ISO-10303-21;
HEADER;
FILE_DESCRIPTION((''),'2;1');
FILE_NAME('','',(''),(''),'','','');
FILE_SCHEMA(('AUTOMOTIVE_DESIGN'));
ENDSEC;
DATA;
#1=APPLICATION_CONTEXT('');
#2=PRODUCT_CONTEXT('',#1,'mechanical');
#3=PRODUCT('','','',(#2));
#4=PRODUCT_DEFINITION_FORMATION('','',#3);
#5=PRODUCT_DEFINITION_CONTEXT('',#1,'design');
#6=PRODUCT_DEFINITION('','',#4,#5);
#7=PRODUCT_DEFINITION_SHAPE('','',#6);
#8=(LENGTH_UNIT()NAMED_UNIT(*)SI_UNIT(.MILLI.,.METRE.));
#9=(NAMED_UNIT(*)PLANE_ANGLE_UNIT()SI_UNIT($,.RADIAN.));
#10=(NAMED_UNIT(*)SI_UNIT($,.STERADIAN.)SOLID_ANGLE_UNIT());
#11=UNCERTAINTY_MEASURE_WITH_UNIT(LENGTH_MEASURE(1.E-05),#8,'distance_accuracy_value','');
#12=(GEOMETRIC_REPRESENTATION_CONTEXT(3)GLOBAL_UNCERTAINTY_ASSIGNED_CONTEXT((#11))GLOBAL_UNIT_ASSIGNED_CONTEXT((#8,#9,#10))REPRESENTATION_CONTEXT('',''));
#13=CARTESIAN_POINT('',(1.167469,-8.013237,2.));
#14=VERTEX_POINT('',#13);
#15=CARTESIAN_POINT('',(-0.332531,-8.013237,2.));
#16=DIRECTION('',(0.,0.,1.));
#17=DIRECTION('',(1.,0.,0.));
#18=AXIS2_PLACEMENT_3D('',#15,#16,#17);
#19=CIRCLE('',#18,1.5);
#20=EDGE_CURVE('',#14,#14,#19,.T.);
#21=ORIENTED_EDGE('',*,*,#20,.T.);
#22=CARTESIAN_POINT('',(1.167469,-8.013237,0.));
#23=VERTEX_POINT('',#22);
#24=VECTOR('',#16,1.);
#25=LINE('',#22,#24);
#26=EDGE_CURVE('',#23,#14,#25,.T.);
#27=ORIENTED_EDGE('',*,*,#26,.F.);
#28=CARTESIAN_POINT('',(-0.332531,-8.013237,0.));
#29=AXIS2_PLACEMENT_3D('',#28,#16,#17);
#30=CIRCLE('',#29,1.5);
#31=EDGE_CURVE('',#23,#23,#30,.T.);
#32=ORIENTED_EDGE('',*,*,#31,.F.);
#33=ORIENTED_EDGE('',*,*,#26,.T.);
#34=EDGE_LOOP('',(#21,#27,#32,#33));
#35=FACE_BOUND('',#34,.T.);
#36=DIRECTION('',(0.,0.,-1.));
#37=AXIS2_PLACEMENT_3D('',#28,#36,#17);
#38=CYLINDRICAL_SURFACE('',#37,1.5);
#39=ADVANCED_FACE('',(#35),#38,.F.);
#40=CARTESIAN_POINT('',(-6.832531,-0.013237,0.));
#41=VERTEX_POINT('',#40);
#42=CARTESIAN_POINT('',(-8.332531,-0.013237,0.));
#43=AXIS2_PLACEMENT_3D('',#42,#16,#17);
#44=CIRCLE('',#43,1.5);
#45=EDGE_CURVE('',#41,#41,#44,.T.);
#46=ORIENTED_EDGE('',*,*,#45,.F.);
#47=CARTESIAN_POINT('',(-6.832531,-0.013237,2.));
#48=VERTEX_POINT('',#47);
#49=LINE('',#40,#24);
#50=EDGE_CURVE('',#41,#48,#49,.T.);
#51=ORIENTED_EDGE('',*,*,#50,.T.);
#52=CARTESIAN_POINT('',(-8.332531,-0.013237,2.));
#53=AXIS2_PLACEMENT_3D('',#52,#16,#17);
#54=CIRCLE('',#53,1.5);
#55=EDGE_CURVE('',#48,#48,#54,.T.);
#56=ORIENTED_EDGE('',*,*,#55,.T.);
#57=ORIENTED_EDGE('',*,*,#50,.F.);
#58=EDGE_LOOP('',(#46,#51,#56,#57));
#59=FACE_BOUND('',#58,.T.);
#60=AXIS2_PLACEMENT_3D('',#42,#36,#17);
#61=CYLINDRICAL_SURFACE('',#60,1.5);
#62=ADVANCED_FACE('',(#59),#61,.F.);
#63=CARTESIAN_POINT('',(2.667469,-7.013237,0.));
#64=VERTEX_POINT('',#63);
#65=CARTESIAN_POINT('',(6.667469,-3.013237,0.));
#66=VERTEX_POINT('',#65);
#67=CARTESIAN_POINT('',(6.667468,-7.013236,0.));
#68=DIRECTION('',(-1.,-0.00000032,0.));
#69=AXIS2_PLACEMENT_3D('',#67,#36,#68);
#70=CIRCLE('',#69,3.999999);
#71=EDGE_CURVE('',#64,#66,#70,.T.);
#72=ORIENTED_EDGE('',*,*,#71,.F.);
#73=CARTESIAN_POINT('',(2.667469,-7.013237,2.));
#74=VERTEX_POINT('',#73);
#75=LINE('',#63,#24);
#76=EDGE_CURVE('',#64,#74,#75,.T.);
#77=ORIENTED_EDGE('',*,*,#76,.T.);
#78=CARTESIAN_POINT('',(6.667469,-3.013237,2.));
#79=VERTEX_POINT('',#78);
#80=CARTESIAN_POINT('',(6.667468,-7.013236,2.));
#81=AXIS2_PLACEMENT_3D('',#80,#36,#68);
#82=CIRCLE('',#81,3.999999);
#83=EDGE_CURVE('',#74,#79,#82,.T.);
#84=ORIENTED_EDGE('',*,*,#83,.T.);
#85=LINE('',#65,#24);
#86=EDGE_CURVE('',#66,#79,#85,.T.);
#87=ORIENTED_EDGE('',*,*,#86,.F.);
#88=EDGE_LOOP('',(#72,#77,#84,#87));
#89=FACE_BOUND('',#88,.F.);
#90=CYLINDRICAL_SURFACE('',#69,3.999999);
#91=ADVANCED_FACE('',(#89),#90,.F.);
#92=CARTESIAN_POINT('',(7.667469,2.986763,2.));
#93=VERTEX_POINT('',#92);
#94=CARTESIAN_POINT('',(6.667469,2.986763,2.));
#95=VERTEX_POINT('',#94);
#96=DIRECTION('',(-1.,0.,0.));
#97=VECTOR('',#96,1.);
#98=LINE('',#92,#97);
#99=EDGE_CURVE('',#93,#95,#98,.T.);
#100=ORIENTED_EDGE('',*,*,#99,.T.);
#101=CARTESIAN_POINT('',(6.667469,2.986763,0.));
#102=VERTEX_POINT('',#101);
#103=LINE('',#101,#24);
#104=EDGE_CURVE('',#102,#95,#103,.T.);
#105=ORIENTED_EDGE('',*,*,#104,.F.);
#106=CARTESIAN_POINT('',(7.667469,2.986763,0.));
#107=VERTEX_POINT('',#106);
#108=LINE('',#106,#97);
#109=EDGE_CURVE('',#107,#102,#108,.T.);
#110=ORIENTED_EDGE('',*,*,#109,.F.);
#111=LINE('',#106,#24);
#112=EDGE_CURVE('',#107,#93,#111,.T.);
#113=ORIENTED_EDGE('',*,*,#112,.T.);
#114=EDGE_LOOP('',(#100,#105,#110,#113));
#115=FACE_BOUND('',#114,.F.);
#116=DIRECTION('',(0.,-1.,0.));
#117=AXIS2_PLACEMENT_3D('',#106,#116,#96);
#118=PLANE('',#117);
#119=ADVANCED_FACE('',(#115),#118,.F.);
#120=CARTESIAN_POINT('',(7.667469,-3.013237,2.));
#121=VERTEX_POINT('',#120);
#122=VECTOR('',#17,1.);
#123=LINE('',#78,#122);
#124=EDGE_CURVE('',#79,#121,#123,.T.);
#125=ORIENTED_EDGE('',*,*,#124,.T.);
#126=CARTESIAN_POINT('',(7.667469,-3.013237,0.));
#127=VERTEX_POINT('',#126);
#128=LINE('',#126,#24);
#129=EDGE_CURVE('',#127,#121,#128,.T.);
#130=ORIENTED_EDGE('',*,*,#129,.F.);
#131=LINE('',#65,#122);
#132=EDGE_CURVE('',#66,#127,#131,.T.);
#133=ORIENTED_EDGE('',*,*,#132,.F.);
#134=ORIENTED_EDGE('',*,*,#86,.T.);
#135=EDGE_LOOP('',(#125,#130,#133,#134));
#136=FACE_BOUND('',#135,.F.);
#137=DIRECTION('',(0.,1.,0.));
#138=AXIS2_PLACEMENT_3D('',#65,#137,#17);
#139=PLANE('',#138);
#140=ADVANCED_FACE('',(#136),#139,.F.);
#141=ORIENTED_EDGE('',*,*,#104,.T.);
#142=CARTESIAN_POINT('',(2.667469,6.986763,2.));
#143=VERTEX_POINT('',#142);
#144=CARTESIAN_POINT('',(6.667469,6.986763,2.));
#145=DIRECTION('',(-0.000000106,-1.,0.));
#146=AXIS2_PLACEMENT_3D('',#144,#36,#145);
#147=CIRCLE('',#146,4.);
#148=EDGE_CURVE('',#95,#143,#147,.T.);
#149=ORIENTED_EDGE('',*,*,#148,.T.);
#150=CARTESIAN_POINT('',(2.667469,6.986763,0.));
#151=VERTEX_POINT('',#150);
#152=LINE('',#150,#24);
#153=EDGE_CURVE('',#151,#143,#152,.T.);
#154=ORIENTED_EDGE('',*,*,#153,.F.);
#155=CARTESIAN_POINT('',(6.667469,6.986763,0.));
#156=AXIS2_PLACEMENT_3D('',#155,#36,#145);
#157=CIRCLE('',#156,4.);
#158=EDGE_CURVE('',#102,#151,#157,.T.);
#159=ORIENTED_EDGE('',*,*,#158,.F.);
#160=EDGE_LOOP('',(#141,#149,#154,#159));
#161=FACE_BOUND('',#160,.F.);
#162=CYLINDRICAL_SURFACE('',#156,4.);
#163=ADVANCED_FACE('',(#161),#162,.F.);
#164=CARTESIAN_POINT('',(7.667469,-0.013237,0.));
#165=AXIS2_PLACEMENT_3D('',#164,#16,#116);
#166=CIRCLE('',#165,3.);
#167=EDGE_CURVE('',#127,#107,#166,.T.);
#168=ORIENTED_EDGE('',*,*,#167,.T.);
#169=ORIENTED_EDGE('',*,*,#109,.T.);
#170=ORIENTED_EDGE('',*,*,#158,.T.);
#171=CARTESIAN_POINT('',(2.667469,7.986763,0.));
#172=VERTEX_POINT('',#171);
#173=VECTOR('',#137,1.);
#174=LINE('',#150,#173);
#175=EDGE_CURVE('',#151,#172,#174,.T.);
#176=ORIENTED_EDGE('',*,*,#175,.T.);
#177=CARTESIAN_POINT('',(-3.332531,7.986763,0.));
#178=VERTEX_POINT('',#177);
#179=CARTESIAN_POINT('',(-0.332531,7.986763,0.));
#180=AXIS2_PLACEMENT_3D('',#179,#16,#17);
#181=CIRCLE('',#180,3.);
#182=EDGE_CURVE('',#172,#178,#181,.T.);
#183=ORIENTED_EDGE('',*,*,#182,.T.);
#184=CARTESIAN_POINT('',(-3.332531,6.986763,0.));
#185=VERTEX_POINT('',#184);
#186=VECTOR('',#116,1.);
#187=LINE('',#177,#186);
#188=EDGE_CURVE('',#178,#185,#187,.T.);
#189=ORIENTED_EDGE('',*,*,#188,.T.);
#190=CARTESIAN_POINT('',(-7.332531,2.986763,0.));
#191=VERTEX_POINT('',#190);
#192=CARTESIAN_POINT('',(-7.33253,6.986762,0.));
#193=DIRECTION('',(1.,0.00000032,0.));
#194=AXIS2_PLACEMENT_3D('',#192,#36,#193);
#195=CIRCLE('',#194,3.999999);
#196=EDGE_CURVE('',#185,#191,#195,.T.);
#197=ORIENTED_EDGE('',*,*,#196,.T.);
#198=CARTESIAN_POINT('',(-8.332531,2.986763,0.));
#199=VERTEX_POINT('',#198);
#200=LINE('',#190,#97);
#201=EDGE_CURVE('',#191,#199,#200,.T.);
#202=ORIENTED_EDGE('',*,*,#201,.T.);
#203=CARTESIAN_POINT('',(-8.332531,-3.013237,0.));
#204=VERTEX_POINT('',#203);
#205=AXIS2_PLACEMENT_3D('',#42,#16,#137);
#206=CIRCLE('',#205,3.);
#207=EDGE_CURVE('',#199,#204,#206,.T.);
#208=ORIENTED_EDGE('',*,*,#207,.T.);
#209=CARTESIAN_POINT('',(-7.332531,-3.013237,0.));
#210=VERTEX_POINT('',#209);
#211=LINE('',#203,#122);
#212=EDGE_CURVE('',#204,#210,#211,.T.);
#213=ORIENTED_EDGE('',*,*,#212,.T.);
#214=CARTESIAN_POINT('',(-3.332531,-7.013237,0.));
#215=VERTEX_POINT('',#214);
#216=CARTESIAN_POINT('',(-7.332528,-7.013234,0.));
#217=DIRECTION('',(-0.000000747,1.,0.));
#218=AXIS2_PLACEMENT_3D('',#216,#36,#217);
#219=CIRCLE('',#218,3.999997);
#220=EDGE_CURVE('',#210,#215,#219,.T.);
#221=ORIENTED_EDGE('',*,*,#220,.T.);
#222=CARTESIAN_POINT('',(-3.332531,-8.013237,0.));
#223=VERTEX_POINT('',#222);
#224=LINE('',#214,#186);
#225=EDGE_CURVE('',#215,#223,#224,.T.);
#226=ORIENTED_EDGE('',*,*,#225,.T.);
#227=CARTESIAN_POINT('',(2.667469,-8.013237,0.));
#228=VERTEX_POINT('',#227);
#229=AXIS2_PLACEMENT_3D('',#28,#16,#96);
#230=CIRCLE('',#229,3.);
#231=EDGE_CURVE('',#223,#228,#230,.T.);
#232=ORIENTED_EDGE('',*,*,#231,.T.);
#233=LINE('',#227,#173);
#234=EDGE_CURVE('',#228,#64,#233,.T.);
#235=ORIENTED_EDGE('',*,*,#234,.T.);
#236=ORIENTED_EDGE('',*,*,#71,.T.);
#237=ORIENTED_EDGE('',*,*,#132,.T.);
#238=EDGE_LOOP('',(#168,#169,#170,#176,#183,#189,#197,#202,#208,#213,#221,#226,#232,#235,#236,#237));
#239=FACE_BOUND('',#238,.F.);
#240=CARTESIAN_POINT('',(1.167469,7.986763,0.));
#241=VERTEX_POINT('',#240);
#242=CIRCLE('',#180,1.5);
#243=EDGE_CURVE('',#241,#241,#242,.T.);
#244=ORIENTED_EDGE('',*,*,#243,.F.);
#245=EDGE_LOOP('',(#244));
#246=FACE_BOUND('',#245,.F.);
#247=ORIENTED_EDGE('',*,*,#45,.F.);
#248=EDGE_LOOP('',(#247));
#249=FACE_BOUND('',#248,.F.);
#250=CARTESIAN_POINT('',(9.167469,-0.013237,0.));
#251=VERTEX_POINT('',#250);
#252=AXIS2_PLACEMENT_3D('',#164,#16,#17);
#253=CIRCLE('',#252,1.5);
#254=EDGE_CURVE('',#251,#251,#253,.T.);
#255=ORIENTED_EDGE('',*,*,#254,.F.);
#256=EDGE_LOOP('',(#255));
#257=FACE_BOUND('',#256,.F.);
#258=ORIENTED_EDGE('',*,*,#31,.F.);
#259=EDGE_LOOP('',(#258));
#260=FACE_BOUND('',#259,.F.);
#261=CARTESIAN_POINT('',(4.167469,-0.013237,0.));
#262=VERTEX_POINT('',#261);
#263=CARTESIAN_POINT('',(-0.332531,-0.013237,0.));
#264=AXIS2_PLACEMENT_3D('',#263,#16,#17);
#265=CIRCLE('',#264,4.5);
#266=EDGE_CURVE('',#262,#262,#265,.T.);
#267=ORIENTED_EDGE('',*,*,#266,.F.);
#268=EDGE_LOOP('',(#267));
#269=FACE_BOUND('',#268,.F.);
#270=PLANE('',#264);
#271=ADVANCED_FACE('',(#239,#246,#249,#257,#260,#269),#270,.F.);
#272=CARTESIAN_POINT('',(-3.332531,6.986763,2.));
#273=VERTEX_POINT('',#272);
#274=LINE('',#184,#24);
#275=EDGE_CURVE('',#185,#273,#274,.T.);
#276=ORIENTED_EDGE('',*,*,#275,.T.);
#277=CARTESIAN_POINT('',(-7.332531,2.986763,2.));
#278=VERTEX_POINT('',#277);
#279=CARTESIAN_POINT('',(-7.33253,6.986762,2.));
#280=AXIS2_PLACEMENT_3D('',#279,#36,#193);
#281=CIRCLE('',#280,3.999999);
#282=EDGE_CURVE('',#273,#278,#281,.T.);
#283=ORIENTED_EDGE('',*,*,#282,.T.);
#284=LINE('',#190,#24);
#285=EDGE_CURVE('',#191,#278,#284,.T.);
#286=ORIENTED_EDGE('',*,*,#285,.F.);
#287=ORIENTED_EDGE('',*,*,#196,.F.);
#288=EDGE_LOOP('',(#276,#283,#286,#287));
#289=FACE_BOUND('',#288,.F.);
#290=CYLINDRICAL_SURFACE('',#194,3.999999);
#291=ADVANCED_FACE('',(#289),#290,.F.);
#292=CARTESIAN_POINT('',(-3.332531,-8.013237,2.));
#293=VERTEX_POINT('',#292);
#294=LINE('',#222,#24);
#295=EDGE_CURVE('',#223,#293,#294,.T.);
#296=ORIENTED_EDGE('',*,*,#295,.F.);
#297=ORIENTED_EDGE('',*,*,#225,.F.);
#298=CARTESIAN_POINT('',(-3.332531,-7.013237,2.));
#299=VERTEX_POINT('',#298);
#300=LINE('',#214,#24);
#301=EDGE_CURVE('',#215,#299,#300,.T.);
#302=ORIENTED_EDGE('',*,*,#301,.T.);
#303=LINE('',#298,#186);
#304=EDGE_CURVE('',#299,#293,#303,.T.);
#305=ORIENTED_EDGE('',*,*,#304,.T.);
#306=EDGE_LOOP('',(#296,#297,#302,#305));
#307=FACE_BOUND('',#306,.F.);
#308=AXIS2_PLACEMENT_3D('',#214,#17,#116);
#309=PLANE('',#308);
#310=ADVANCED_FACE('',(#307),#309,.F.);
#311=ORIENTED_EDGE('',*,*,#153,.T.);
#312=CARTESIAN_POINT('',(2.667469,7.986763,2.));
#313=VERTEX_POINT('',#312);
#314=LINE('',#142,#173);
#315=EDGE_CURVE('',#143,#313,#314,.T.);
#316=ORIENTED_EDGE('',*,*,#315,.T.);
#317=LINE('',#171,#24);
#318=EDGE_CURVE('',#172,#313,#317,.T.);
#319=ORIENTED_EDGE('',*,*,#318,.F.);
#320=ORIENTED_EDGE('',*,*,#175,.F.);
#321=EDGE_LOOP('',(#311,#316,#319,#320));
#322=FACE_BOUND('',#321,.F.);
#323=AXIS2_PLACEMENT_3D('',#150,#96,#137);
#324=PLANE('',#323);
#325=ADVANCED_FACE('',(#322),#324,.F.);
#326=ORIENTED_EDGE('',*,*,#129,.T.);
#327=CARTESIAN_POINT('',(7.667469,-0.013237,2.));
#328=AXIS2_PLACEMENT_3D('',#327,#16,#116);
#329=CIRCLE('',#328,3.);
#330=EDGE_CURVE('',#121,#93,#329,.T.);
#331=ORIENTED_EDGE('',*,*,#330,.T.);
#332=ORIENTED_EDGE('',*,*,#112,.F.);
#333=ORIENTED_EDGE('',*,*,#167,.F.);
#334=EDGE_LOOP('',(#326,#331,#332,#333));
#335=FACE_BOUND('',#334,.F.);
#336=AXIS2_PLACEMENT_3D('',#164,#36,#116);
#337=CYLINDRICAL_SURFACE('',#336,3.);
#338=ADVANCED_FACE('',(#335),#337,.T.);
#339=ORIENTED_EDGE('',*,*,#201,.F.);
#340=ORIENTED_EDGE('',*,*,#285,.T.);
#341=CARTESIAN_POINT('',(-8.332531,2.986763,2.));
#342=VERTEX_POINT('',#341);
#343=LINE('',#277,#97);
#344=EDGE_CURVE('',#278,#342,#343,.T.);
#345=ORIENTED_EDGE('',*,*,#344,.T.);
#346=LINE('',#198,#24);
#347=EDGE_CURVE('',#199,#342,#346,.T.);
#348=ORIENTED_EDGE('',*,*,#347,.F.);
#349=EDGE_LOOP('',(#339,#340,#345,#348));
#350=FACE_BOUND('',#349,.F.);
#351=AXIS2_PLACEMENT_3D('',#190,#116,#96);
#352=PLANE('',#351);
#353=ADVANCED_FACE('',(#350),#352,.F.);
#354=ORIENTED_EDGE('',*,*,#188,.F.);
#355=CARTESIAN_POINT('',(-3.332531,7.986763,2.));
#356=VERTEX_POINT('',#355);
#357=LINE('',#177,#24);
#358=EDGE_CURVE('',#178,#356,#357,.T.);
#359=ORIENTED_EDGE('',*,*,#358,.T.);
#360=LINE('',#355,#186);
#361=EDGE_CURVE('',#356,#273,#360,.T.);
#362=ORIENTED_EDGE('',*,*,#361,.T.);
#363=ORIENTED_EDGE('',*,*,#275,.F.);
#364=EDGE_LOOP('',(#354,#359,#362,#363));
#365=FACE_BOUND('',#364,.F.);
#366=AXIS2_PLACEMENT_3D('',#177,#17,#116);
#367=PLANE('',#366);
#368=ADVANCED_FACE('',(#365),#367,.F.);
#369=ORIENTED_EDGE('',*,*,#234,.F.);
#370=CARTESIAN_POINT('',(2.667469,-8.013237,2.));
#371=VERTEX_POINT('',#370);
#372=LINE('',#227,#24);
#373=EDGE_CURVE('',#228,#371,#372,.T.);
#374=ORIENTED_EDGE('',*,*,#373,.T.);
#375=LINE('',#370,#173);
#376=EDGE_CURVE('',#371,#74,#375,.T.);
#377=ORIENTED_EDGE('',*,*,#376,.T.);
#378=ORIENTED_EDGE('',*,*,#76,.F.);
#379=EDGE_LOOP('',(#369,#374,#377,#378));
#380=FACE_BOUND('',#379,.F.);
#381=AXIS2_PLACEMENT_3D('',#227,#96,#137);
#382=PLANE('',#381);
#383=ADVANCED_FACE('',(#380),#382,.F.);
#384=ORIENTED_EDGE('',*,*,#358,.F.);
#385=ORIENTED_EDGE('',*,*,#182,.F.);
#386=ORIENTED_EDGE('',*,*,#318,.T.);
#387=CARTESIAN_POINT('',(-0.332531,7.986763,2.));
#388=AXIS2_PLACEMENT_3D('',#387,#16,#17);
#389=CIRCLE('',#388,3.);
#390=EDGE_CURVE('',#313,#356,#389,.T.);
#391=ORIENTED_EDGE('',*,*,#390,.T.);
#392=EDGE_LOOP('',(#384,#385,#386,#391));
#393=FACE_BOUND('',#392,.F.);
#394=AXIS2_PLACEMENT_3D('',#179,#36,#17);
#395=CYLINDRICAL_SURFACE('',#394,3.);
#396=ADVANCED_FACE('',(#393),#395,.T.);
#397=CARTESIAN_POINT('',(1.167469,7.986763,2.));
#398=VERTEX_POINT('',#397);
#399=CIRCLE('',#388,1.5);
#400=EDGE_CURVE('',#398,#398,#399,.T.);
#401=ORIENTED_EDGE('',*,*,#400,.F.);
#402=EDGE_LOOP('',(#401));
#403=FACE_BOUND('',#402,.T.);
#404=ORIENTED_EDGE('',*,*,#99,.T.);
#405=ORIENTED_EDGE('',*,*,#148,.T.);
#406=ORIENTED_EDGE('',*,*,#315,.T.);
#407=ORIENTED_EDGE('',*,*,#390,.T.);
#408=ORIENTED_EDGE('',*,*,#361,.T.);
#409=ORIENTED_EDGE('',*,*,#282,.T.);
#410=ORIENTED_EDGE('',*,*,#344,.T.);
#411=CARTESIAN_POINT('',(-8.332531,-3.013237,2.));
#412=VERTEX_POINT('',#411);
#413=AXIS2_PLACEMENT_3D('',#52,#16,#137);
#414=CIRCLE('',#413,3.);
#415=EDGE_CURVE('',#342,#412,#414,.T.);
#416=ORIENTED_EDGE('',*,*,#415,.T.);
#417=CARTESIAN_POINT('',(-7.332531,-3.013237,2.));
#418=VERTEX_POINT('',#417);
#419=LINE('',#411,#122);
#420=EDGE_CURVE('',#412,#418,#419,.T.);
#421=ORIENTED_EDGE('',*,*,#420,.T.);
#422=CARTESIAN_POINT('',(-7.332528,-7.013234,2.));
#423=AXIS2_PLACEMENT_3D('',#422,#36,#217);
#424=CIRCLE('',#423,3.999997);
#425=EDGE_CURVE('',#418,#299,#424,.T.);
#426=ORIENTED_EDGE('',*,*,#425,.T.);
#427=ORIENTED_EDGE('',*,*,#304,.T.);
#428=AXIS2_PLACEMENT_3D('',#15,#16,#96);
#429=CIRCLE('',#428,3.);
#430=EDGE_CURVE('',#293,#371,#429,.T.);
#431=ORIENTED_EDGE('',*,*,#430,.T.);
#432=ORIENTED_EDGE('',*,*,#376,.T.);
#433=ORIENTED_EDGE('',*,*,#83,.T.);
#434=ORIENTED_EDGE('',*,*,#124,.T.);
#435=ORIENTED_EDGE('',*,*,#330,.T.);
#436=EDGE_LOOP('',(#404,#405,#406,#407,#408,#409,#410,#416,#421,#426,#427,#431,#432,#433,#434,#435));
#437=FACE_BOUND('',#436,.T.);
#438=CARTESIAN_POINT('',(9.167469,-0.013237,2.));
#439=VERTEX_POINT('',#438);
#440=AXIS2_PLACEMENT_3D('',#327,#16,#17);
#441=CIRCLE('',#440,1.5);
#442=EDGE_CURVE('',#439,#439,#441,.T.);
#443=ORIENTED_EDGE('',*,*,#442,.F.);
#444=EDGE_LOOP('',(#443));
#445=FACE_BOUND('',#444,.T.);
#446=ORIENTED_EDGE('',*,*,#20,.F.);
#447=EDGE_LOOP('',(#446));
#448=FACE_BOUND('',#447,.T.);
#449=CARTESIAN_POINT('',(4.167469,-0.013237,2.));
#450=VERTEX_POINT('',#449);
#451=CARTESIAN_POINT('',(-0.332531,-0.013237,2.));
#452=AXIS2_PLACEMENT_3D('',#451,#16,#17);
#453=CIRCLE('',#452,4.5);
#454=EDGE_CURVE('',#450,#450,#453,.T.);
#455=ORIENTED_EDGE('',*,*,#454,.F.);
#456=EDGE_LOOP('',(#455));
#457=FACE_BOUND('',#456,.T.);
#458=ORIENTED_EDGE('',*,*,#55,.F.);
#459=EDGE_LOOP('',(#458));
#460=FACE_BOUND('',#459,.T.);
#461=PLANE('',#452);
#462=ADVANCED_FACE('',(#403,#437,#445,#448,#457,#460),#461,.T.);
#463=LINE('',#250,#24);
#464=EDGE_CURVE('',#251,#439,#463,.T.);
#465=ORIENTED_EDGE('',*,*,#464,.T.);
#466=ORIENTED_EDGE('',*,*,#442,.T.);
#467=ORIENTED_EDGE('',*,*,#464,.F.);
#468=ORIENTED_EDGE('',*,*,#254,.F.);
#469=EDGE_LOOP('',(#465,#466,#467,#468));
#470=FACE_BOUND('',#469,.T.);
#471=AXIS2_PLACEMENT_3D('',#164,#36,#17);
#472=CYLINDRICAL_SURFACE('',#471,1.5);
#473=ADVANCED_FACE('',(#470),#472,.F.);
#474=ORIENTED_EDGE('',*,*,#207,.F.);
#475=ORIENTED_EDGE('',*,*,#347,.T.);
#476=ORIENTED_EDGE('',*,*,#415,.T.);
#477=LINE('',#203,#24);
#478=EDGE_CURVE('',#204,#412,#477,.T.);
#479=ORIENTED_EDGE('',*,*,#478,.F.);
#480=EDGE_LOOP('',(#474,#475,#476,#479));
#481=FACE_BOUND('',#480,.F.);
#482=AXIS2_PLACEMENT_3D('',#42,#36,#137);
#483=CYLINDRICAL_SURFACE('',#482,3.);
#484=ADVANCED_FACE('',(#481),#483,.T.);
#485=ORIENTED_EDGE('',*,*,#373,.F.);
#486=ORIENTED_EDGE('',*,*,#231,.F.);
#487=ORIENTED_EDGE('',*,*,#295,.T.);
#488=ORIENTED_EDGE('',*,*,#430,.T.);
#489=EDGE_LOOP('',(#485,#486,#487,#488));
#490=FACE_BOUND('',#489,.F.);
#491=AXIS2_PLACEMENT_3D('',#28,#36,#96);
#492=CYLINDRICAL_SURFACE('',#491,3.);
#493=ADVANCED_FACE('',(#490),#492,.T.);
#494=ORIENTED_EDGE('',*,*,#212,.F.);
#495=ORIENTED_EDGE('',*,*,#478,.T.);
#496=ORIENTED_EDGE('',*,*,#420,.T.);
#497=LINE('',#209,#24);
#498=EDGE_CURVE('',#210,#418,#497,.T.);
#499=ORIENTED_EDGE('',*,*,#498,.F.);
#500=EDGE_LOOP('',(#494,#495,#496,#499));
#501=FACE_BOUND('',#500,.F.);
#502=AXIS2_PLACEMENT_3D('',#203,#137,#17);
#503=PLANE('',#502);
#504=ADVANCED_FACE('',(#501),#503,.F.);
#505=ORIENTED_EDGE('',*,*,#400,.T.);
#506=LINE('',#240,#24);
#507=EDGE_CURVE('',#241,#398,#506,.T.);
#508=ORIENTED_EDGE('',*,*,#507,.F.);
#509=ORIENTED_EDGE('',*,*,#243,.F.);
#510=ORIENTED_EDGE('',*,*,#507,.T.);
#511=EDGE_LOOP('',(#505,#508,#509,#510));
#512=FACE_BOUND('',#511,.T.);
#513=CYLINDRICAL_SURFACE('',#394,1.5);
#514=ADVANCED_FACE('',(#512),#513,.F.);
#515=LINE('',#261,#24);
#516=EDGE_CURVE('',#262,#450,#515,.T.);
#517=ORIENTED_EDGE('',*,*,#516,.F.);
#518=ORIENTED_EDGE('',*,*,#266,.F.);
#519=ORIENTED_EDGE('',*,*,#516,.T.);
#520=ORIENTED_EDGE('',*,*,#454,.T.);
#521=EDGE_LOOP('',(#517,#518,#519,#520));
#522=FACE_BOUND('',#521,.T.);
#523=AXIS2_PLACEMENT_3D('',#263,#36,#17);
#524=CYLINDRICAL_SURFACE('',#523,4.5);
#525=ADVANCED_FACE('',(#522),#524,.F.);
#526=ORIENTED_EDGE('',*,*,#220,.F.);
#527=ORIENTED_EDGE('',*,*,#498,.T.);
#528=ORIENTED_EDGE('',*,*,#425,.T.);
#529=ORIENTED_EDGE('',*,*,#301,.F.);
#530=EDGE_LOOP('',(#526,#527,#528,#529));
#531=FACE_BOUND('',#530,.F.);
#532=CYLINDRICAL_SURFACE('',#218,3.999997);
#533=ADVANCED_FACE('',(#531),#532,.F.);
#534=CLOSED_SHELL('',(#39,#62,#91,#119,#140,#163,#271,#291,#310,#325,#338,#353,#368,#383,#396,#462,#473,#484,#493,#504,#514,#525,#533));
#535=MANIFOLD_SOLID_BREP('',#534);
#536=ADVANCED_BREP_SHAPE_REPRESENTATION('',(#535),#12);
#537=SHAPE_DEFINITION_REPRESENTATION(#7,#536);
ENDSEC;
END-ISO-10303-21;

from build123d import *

# Parameters (mm, degrees)
F0_R     = 1.5
F0_R_2   = 4.5
F1_DEPTH = 2


with BuildPart() as f1:
    # F0 (on Top) → F1 (new body)
    with BuildSketch(Plane.XY):
        with BuildLine():
            ThreePointArc((-8.332531, 2.986763), (-11.332531, -0.013237), (-8.332531, -3.013237))
            Line((-8.332531, -3.013237), (-7.332531, -3.013237))
            ThreePointArc((-7.332531, -3.013237), (-4.504103, -4.184809), (-3.332531, -7.013237))
            Line((-3.332531, -7.013237), (-3.332531, -8.013237))
            ThreePointArc((-3.332531, -8.013237), (-0.332531, -11.013237), (2.667469, -8.013237))
            Line((2.667469, -8.013237), (2.667469, -7.013237))
            ThreePointArc((2.667469, -7.013237), (3.839042, -4.184809), (6.667469, -3.013237))
            Line((6.667469, -3.013237), (7.667469, -3.013237))
            ThreePointArc((7.667469, -3.013237), (10.667469, -0.013237), (7.667469, 2.986763))
            Line((7.667469, 2.986763), (6.667469, 2.986763))
            ThreePointArc((6.667469, 2.986763), (3.839042, 4.158336), (2.667469, 6.986763))
            Line((2.667469, 6.986763), (2.667469, 7.986763))
            ThreePointArc((2.667469, 7.986763), (-0.332531, 10.986763), (-3.332531, 7.986763))
            Line((-3.332531, 7.986763), (-3.332531, 6.986763))
            ThreePointArc((-3.332531, 6.986763), (-4.504103, 4.158336), (-7.332531, 2.986763))
            Line((-7.332531, 2.986763), (-8.332531, 2.986763))
        make_face()
        with Locations((-0.332531, -8.013237)):
            Circle(F0_R, mode=Mode.SUBTRACT)
        with Locations((-8.332531, -0.013237)):
            Circle(F0_R, mode=Mode.SUBTRACT)
        with Locations((-0.332531, -0.013237)):
            Circle(F0_R_2, mode=Mode.SUBTRACT)
        with Locations((7.667469, -0.013237)):
            Circle(F0_R, mode=Mode.SUBTRACT)
        with Locations((-0.332531, 7.986763)):
            Circle(F0_R, mode=Mode.SUBTRACT)
    extrude(amount=F1_DEPTH)


solid = f1.part
